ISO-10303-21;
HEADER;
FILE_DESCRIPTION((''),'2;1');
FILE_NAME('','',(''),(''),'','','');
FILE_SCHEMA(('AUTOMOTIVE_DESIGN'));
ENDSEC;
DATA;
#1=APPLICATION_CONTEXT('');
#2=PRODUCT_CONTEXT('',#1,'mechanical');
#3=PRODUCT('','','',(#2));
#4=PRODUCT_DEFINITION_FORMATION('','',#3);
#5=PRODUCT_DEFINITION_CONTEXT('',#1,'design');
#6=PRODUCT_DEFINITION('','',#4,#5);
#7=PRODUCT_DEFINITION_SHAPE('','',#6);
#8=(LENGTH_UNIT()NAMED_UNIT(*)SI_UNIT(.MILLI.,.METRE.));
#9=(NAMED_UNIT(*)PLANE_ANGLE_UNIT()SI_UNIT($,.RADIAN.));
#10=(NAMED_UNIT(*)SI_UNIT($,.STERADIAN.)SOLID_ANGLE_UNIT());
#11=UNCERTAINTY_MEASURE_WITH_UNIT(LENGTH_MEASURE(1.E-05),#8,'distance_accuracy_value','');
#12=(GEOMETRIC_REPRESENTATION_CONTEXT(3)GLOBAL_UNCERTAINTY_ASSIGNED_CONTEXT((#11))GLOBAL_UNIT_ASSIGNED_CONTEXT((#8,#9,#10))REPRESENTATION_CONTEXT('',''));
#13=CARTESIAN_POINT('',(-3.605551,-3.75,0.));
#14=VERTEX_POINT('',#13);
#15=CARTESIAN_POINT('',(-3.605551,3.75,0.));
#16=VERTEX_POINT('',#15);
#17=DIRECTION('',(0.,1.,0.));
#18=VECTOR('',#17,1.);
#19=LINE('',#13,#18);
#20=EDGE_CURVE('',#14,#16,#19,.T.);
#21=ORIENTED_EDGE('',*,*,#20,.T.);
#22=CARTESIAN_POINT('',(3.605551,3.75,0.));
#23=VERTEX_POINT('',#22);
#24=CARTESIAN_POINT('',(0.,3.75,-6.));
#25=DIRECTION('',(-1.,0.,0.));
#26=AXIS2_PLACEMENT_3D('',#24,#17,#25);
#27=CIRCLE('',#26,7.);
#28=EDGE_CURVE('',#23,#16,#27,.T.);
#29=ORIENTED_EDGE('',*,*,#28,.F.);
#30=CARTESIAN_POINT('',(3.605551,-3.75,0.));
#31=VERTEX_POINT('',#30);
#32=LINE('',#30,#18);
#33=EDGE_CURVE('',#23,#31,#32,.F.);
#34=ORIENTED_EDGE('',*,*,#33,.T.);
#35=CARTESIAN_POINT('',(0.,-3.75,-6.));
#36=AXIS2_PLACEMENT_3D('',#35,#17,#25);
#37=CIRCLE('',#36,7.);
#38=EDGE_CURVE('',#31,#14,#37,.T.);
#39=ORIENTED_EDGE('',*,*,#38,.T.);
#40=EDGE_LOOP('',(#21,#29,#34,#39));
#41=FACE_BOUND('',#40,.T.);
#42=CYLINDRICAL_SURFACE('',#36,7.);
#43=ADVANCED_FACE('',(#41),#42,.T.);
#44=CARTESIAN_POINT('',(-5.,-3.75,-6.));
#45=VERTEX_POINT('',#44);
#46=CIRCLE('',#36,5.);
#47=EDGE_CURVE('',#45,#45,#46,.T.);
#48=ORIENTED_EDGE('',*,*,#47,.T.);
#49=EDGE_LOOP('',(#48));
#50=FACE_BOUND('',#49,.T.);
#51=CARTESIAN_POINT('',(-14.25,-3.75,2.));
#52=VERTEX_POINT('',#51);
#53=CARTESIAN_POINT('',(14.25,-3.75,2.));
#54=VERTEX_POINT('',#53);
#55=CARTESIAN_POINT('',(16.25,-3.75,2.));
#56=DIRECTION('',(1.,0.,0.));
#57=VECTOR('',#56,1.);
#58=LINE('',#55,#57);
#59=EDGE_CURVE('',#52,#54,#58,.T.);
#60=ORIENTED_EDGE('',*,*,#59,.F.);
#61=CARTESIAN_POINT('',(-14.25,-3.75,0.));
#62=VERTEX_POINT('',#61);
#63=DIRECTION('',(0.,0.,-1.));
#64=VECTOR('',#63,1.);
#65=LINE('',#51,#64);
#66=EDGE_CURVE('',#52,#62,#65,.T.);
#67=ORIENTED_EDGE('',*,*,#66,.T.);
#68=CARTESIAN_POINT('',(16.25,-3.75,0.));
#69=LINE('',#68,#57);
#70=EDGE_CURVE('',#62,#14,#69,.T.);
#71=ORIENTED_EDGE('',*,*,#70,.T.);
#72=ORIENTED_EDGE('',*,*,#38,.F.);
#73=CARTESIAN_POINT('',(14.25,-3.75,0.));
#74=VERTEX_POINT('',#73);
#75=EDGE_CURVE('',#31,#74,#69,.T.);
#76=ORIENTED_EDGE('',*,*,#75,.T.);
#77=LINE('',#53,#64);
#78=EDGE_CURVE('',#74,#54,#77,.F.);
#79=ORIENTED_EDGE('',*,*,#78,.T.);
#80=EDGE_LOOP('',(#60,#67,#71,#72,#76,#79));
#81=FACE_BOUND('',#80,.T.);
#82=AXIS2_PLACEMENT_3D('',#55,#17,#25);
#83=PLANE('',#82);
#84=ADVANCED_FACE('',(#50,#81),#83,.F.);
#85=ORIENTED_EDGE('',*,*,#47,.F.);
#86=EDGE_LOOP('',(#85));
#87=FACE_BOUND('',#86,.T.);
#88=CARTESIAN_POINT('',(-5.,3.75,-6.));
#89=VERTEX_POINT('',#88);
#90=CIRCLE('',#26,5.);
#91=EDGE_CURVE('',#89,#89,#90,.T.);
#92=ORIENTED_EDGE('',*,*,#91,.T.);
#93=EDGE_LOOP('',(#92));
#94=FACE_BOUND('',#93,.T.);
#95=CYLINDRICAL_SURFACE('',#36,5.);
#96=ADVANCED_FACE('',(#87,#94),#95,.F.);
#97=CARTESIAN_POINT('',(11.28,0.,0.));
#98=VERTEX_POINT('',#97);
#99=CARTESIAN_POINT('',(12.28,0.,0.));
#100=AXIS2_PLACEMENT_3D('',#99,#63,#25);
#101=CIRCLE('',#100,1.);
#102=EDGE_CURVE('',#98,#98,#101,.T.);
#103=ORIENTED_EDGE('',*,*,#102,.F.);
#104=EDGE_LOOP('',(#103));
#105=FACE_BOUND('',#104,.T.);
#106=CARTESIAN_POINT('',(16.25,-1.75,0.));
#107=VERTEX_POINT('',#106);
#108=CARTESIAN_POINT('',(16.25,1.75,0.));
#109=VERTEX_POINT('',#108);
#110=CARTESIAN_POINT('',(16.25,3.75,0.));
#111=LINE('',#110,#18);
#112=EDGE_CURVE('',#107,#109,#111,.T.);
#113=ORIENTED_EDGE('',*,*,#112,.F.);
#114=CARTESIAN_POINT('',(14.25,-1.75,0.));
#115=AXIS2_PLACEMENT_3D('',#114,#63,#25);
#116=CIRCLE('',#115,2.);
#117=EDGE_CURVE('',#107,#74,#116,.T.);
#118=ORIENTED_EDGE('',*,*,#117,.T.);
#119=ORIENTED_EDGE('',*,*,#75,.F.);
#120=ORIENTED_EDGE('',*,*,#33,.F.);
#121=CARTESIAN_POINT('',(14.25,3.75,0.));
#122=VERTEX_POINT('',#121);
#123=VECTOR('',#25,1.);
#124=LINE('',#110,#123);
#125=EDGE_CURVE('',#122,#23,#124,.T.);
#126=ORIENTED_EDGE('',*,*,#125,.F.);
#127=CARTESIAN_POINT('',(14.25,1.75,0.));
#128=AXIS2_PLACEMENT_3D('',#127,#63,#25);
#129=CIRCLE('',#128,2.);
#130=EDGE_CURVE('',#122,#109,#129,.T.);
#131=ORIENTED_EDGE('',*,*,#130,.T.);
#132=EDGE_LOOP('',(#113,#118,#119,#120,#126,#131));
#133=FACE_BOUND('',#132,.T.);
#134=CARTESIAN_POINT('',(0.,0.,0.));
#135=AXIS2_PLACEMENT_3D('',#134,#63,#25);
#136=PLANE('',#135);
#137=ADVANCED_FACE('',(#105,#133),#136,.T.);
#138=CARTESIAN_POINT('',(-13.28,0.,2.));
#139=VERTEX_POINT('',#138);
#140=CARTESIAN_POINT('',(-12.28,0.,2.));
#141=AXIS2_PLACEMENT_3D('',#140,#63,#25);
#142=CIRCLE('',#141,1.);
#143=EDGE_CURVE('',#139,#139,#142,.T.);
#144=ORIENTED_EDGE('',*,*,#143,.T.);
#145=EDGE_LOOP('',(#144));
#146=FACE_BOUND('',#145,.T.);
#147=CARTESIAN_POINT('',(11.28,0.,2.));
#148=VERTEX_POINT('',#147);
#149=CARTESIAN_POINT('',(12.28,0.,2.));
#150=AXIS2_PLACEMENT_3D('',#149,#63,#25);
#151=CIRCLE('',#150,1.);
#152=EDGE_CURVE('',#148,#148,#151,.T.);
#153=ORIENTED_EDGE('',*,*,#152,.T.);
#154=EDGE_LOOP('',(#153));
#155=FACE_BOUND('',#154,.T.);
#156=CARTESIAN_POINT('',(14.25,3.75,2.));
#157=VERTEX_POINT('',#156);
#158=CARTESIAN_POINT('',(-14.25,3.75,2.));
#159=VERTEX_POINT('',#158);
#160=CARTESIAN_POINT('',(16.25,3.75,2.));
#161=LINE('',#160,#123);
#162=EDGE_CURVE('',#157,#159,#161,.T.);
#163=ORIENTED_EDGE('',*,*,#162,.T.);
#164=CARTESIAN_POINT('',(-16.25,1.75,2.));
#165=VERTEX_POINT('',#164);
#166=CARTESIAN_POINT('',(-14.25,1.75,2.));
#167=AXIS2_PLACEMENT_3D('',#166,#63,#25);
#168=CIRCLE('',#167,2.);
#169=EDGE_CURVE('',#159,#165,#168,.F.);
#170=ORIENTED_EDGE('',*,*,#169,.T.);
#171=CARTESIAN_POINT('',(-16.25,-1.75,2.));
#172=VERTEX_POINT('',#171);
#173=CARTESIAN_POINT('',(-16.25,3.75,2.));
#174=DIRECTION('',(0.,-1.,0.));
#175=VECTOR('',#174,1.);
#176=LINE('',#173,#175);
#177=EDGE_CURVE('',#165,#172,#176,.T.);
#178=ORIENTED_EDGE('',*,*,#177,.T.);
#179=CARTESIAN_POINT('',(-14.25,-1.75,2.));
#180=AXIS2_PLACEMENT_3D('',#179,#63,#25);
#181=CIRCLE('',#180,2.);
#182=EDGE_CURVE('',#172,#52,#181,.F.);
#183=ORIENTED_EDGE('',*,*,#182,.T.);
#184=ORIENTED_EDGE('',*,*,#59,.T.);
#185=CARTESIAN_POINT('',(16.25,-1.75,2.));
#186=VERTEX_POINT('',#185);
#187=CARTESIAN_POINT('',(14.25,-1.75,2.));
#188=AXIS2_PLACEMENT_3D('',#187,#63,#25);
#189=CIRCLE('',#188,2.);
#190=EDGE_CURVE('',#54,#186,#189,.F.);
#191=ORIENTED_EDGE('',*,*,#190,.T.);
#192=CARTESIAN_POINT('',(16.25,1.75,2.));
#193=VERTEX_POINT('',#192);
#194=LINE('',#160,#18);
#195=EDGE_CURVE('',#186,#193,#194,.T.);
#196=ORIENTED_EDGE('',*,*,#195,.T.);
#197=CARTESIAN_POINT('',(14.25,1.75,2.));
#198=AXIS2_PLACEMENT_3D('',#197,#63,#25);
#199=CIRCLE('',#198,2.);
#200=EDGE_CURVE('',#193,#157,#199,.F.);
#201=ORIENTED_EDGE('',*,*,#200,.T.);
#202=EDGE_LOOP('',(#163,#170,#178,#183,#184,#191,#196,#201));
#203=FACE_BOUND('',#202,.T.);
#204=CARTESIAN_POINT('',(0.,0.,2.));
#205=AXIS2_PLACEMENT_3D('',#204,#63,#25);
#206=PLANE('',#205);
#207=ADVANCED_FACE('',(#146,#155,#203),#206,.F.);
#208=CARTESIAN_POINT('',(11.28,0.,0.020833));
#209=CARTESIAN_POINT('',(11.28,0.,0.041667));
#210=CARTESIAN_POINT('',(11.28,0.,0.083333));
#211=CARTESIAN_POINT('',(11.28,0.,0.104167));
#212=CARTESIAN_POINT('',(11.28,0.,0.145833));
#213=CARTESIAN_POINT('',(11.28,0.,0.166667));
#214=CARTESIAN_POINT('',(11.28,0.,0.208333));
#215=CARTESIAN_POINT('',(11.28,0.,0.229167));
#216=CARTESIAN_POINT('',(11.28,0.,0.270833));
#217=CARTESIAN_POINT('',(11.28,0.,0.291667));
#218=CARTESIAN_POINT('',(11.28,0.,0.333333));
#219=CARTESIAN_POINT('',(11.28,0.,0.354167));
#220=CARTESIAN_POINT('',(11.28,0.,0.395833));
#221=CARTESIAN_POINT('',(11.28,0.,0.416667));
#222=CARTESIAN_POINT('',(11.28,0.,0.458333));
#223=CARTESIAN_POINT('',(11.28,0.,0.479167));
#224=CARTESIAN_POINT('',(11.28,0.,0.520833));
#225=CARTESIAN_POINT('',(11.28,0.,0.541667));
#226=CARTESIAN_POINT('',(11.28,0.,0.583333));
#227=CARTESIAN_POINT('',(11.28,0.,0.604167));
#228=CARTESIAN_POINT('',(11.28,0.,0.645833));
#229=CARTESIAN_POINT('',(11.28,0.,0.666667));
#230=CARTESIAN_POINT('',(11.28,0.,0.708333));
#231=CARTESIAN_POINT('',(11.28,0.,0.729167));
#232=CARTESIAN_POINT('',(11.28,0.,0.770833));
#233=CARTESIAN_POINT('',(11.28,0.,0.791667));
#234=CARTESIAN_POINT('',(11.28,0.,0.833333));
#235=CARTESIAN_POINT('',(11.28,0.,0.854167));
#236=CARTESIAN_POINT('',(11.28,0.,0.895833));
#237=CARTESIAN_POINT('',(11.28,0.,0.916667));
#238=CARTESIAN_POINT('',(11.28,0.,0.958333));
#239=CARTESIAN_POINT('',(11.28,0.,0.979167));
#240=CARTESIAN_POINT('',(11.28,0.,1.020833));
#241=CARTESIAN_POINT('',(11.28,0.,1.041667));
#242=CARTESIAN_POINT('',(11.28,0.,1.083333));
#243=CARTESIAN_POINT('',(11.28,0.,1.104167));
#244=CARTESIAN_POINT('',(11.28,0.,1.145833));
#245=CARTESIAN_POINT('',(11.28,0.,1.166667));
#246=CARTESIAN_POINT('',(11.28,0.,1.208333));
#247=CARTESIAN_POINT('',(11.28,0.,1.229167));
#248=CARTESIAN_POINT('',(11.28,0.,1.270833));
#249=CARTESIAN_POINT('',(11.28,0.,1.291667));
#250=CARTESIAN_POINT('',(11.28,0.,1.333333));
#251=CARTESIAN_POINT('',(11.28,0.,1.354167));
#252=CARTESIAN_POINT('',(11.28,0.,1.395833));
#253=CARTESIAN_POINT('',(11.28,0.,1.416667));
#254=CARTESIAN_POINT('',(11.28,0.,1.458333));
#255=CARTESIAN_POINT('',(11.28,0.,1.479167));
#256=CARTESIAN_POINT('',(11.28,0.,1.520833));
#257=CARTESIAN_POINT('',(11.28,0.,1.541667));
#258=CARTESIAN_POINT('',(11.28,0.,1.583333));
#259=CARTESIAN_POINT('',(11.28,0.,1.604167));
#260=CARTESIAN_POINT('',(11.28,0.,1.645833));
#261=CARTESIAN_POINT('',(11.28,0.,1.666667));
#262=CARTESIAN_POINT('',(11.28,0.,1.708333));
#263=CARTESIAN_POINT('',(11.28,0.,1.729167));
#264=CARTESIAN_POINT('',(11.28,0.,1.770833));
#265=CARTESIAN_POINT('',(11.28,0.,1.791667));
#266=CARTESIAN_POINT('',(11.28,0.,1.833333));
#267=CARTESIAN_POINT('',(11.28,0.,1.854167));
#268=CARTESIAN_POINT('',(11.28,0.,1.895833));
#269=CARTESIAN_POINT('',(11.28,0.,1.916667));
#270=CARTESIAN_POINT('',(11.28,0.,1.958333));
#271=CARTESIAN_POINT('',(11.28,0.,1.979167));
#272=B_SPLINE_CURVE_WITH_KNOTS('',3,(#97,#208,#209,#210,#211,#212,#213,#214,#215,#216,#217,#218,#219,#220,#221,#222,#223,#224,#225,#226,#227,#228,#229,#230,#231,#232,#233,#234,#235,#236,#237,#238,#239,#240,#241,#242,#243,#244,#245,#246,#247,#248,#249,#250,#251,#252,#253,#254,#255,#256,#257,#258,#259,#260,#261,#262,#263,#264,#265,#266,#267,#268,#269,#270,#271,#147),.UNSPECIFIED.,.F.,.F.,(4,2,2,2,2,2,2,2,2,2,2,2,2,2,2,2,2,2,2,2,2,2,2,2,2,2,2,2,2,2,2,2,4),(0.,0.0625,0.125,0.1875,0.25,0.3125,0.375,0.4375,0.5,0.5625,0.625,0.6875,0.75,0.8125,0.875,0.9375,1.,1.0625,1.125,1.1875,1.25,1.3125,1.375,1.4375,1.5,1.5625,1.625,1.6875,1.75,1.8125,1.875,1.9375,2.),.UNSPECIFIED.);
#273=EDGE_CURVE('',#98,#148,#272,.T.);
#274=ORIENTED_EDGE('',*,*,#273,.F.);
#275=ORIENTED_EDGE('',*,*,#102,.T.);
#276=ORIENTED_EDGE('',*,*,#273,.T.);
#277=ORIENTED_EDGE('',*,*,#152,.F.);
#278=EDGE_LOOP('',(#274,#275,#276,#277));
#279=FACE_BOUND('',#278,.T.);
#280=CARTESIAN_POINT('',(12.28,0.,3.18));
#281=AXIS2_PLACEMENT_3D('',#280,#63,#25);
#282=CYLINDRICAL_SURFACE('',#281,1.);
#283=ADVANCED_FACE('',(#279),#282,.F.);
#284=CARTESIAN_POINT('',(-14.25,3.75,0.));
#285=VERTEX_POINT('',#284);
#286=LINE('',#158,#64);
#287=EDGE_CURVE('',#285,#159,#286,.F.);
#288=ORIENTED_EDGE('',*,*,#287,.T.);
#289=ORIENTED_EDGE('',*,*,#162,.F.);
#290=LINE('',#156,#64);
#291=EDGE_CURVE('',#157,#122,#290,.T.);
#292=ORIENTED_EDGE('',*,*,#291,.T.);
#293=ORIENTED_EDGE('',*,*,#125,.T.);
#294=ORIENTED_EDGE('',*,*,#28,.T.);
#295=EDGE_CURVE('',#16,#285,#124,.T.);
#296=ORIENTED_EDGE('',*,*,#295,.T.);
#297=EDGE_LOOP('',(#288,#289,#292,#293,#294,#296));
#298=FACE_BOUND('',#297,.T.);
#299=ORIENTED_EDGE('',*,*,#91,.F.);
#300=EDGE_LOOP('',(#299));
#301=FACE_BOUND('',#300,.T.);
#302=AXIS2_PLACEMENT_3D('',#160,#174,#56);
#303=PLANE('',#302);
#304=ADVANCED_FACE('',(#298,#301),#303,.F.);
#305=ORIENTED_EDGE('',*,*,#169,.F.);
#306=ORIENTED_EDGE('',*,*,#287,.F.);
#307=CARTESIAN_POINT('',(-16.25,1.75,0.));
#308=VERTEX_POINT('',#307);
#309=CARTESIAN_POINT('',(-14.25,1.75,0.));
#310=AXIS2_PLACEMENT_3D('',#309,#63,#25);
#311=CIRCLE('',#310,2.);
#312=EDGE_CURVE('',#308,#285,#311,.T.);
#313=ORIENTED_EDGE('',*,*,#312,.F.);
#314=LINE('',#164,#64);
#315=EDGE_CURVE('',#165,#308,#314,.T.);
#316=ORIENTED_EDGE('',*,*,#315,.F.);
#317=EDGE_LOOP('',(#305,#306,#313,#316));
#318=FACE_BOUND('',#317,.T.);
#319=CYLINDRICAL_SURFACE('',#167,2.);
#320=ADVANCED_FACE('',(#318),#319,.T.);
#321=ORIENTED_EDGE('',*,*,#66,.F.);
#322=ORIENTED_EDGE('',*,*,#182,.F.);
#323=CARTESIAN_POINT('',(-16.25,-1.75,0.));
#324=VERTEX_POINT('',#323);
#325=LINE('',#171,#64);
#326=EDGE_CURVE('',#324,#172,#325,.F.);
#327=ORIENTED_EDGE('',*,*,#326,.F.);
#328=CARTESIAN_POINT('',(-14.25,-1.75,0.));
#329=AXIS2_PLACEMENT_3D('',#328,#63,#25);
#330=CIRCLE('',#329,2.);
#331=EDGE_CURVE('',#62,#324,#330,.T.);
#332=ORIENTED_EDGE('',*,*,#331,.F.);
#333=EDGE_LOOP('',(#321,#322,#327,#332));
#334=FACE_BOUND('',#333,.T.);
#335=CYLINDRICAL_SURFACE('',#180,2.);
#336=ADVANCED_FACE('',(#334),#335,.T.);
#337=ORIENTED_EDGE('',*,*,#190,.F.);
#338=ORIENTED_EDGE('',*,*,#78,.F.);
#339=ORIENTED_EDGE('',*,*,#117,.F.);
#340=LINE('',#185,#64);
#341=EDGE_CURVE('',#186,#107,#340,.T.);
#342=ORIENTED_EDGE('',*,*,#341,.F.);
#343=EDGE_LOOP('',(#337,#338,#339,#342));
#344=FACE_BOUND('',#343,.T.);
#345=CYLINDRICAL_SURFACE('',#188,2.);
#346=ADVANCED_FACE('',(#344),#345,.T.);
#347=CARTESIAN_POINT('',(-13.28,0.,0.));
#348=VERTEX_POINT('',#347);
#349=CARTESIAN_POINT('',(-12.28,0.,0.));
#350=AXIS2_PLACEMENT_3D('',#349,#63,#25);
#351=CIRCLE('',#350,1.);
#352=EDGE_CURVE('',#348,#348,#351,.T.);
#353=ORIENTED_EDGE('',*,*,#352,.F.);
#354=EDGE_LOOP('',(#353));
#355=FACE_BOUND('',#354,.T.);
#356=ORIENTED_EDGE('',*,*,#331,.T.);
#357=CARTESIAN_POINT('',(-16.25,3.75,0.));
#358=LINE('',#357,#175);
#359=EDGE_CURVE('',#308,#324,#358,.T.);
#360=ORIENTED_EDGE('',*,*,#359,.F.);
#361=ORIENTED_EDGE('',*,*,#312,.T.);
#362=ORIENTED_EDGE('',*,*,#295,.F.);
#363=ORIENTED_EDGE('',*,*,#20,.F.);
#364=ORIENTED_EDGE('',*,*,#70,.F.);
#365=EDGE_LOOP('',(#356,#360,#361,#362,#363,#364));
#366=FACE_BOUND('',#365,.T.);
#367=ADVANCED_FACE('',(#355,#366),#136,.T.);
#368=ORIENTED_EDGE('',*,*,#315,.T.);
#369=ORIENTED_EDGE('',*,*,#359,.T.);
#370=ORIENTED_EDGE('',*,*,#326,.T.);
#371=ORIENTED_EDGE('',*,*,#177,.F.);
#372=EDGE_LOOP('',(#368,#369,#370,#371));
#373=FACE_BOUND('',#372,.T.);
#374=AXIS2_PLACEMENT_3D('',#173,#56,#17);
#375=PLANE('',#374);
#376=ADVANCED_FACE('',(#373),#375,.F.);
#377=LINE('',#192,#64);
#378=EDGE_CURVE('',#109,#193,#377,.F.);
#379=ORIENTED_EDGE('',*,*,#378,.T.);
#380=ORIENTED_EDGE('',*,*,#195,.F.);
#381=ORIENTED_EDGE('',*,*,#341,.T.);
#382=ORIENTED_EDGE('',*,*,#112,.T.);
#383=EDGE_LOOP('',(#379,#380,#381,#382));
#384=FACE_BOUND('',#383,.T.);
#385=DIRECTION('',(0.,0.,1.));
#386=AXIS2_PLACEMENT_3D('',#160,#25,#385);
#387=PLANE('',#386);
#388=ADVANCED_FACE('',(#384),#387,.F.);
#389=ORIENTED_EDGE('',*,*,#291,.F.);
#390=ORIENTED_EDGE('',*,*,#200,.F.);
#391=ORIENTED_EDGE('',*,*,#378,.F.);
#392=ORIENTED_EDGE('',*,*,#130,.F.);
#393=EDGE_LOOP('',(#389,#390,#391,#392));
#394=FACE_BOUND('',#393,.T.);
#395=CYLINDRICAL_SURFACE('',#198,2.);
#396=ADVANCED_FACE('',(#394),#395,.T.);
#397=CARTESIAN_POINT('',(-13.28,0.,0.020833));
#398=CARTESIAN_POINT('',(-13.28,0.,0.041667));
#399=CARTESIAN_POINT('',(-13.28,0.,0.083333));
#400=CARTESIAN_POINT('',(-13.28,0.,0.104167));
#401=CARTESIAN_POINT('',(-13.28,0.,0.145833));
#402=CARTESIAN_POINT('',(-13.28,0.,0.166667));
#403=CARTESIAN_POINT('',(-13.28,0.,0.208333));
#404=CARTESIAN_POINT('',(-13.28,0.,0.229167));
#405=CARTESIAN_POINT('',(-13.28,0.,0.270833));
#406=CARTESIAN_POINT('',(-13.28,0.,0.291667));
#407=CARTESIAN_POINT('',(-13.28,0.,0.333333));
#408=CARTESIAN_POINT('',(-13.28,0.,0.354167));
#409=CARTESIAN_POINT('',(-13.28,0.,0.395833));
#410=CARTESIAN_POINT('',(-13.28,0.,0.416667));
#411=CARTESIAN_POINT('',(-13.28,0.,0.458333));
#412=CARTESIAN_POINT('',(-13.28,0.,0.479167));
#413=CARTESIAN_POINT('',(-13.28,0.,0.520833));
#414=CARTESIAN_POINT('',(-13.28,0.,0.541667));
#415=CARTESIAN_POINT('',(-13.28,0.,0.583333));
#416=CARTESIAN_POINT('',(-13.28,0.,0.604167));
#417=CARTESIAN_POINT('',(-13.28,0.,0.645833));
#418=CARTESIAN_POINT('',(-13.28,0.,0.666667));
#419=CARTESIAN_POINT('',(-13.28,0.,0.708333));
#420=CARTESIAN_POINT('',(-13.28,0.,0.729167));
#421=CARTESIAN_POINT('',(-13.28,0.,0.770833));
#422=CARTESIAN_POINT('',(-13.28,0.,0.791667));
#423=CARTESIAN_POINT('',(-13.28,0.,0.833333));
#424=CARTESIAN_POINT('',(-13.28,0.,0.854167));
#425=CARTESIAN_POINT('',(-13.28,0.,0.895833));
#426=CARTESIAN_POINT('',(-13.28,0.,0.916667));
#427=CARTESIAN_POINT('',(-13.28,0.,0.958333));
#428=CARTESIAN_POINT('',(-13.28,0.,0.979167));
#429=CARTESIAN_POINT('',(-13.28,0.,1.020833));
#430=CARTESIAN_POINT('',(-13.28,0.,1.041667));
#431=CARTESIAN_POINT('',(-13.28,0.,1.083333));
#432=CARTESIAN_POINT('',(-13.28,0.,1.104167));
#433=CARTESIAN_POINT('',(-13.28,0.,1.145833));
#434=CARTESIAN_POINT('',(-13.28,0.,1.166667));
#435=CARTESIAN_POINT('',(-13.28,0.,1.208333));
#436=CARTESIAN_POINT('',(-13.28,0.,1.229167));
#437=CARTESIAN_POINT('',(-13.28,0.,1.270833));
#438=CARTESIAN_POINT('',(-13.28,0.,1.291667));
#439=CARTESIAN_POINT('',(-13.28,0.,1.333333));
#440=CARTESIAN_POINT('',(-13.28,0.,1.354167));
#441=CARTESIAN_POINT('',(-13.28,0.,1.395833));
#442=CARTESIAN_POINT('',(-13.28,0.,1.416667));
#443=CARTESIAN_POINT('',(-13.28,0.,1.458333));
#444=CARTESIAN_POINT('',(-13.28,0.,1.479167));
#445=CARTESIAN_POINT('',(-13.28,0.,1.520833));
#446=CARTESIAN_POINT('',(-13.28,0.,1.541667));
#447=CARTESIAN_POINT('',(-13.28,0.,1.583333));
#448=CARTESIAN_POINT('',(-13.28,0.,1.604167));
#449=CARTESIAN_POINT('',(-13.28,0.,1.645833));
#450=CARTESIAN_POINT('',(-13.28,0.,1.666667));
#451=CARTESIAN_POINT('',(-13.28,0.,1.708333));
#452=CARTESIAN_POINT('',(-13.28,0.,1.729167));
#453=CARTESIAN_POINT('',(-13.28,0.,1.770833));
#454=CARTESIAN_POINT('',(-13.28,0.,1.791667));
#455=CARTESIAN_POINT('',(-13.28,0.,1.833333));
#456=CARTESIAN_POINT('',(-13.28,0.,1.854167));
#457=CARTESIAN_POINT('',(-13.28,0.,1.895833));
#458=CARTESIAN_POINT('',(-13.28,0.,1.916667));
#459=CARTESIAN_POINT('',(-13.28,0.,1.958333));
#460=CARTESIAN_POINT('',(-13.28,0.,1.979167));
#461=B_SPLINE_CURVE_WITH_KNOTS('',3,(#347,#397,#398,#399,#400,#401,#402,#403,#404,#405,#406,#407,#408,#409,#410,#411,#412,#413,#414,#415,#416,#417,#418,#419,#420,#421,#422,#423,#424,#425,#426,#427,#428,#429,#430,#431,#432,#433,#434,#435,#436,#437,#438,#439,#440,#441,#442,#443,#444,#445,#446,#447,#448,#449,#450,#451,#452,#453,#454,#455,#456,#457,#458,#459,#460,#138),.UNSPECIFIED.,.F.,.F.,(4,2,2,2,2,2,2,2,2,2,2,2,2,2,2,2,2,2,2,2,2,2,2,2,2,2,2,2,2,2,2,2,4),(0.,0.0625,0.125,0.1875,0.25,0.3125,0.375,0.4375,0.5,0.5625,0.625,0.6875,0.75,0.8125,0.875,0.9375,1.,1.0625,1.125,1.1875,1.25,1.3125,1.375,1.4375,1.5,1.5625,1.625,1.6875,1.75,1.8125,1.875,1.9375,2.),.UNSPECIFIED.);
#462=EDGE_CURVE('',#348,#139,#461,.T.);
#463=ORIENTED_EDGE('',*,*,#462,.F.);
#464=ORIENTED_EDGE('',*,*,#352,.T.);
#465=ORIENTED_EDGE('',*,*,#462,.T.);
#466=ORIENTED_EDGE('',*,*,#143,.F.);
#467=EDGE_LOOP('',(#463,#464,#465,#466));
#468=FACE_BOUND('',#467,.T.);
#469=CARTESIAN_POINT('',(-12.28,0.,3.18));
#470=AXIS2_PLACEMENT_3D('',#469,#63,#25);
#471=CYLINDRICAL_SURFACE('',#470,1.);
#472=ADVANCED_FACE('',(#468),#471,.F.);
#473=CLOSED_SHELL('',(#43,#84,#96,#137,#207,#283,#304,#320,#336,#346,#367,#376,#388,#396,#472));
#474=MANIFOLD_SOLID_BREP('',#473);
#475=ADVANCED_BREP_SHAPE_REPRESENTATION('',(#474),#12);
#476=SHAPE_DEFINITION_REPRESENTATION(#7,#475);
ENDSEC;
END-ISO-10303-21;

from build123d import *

# Parameters (mm, degrees)
SKETCH1_W           = 32.5
SKETCH1_H           = 7.5
BOSS_EXTRUDE1_DEPTH = 2
SKETCH2_R           = 7
SKETCH2_R_2         = 5
BOSS_EXTRUDE2_DEPTH = 7.5
SKETCH3_R           = 1
CUT_EXTRUDE1_DEPTH  = 3.18
FILLET1_R           = 2


with BuildPart() as part:
    # Sketch1 → Boss-Extrude1 (new body)
    with BuildSketch(Plane.XY):
        Rectangle(SKETCH1_W, SKETCH1_H)
    extrude(amount=BOSS_EXTRUDE1_DEPTH)

    # Sketch2 → Boss-Extrude2 (add)
    with BuildSketch(Plane(origin=(0, 3.75, 0), x_dir=(1, 0, 0), z_dir=(0, 1, 0))):
        with Locations((0, 6)):
            Circle(SKETCH2_R)
        with Locations(Location((0, 6, 0), (0, 0, 180))):
            Circle(SKETCH2_R_2, mode=Mode.SUBTRACT)
    extrude(amount=-BOSS_EXTRUDE2_DEPTH)

    # Sketch3 → Cut-Extrude1 (cut)
    with BuildSketch(Plane(origin=(0, 0, 0), x_dir=(-1, 0, 0), z_dir=(0, 0, -1))):
        with Locations((-12.28, 0)):
            Circle(SKETCH3_R)
        with Locations((12.28, 0)):
            Circle(SKETCH3_R)
    extrude(amount=-CUT_EXTRUDE1_DEPTH, mode=Mode.SUBTRACT)

    # Fillet1
    fillet1_edges = [part.edges().sort_by_distance(p)[0] for p in [
        (-16.25, 3.75, 1),
        (16.25, 3.75, 1),
        (16.25, -3.75, 1),
        (-16.25, -3.75, 1),
    ]]
    fillet(fillet1_edges, radius=FILLET1_R)


solid = part.part
